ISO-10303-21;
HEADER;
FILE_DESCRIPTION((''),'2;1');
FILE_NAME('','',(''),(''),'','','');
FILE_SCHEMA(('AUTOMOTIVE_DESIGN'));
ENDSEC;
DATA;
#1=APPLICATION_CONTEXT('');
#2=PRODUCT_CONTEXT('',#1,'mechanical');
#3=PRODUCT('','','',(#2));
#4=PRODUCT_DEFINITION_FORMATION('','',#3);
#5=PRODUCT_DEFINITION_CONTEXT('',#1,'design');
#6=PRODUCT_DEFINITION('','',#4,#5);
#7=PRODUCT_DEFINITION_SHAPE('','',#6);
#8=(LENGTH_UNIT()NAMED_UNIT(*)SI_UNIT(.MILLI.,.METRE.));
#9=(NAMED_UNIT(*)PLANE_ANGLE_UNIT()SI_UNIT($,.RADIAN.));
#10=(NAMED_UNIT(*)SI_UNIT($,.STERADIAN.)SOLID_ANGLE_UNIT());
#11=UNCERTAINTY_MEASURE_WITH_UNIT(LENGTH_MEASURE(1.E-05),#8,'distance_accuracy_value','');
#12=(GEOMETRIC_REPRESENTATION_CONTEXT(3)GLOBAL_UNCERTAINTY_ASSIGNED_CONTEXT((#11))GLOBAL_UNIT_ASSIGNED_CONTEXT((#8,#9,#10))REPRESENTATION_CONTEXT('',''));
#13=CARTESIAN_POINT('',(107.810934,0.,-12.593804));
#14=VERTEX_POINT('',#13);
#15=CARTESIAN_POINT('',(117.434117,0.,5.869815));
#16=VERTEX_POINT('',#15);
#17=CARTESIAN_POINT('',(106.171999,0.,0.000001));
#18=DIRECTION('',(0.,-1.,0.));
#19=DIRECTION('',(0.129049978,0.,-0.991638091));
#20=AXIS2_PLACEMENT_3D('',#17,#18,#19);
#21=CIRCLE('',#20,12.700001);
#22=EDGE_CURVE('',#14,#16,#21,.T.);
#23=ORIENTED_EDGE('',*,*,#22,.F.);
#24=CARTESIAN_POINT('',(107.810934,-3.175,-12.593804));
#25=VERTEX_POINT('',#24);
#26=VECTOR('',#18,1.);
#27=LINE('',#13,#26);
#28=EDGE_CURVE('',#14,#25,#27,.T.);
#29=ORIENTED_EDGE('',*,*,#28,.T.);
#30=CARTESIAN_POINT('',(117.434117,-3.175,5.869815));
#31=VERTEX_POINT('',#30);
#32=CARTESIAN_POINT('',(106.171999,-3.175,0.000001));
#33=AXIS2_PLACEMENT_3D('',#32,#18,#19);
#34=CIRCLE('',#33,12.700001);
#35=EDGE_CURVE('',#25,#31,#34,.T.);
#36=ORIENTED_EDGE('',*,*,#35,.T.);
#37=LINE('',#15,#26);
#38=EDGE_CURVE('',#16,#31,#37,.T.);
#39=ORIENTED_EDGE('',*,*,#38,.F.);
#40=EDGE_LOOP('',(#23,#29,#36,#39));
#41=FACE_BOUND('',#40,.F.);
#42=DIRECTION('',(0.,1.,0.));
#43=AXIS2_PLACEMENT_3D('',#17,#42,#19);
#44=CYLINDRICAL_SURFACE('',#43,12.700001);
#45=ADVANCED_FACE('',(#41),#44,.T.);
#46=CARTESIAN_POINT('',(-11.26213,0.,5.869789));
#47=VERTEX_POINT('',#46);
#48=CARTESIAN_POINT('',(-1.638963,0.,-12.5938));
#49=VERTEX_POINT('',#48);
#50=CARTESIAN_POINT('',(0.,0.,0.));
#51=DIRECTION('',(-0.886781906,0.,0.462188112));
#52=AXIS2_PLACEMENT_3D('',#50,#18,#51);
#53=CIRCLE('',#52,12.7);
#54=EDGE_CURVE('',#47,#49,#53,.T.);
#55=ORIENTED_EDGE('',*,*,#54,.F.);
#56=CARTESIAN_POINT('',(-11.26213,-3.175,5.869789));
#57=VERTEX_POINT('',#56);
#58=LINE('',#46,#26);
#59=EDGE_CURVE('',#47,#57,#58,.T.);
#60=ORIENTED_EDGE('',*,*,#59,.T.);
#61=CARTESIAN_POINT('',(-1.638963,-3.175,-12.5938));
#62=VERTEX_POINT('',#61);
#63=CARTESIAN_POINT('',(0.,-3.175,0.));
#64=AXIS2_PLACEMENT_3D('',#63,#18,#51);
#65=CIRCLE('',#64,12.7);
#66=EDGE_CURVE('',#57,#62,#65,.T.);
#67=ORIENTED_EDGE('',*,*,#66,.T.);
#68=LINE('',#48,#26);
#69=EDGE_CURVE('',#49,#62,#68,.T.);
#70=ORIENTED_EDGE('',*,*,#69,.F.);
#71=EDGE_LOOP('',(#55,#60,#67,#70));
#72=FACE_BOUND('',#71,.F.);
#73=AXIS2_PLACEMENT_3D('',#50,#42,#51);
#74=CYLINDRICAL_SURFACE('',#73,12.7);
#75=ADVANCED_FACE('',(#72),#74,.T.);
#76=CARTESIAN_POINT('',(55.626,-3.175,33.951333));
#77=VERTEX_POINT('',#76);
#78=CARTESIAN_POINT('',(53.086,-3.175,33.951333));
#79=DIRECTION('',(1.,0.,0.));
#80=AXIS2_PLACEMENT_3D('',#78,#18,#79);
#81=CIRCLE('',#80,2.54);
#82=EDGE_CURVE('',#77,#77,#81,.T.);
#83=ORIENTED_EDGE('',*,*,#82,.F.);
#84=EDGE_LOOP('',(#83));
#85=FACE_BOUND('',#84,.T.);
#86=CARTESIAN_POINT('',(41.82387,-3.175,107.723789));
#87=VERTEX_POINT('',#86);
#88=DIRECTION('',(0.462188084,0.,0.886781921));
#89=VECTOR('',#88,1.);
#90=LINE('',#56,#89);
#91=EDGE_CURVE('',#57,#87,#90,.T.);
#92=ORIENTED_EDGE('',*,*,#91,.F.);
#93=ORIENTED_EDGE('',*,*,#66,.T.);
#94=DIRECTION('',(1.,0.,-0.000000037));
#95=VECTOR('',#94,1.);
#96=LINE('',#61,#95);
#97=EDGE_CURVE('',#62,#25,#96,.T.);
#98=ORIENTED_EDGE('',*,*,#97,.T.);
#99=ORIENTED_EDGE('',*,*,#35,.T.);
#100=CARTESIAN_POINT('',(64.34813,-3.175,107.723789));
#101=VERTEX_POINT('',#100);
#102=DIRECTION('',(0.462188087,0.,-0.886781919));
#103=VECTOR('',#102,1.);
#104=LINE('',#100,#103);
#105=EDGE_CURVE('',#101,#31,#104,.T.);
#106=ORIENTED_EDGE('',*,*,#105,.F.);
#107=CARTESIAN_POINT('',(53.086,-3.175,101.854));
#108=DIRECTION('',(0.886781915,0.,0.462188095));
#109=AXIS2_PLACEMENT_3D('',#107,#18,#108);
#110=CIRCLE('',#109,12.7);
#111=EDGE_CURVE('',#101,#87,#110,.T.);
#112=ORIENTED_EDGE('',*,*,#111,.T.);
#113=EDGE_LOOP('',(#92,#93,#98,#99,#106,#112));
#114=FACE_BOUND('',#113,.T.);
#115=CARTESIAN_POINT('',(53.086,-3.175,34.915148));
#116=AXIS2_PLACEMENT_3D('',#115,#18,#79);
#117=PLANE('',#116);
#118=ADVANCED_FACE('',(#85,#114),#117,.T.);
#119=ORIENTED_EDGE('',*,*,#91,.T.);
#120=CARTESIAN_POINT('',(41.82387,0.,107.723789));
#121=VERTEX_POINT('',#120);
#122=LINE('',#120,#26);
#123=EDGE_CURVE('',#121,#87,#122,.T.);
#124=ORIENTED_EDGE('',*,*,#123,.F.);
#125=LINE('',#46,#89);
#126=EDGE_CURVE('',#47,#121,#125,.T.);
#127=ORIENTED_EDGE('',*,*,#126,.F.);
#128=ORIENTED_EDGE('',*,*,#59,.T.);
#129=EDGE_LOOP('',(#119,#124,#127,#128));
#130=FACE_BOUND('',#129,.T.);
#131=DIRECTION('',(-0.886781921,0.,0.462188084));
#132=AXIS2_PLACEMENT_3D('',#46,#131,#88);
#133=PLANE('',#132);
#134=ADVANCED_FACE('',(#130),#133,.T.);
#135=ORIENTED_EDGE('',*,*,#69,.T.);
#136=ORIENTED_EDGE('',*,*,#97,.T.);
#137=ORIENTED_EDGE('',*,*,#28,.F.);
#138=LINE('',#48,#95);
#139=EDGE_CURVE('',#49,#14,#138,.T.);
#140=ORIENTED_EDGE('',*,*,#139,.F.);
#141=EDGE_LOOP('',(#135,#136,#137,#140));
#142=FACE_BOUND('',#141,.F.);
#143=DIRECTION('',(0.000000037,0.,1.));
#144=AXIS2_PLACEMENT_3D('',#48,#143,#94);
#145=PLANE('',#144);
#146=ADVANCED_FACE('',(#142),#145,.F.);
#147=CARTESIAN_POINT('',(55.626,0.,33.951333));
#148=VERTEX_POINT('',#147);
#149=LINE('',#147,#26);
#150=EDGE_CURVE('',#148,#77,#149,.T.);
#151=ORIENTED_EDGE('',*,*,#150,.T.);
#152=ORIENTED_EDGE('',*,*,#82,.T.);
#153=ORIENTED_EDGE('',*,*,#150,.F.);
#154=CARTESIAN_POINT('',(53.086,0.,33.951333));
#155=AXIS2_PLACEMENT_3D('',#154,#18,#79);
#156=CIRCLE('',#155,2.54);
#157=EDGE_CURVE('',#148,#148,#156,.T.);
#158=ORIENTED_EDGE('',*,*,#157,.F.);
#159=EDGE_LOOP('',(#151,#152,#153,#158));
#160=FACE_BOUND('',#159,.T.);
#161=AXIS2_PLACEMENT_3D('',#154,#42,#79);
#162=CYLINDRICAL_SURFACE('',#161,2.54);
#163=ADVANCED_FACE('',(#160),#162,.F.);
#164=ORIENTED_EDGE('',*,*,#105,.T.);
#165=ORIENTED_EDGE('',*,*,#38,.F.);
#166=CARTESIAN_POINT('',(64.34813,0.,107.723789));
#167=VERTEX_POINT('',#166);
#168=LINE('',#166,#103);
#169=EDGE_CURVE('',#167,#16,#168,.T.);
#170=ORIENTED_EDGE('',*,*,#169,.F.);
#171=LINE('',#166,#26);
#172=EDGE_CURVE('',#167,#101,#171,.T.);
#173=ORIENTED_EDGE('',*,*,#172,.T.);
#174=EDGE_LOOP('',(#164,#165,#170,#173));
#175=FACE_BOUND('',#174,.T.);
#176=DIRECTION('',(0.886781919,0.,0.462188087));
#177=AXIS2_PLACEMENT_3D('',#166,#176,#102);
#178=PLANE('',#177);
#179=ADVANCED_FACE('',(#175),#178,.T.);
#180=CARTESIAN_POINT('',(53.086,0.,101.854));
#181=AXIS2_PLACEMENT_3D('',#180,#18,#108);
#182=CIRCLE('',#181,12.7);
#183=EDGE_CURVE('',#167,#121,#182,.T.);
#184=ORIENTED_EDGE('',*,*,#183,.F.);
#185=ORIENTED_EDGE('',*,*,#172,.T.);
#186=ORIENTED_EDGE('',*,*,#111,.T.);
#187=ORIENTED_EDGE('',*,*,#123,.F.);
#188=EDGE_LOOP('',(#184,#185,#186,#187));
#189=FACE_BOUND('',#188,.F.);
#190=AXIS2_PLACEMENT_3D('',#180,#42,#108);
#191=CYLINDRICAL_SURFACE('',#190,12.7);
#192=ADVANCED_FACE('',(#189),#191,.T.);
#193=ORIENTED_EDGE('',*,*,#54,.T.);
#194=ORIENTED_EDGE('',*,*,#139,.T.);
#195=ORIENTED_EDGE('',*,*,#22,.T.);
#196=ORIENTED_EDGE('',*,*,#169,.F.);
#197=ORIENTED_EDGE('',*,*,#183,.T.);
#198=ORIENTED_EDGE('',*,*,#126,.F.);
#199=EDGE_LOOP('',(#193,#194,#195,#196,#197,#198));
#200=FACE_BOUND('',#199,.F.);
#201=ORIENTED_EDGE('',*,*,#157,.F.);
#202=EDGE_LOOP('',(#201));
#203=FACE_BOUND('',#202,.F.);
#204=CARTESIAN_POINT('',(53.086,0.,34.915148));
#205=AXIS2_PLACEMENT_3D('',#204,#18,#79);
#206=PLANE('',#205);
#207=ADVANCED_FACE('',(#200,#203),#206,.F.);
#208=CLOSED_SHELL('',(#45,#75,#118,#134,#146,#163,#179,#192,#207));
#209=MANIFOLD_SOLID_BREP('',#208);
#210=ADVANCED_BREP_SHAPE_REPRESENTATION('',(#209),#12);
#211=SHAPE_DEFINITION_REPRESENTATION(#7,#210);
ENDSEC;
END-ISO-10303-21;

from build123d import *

# Parameters (mm, degrees)
SKETCH_R      = 2.54
EXTRUDE_DEPTH = 3.175


with BuildPart() as part:
    # Sketch → Extrude (new body)
    with BuildSketch(Plane.XZ):
        with BuildLine():
            ThreePointArc((107.810934, -12.593804), (117.43413, -5.869789), (117.434117, 5.869815))
            Line((64.34813, 107.723789), (117.434117, 5.869815))
            ThreePointArc((64.34813, 107.723789), (53.086, 114.554), (41.82387, 107.723789))
            Line((-11.26213, 5.869789), (41.82387, 107.723789))
            ThreePointArc((-11.26213, 5.869789), (-11.26213, -5.869789), (-1.638963, -12.5938))
            Line((-1.638963, -12.5938), (107.810934, -12.593804))
        make_face()
        with Locations((53.086, 33.951333)):
            Circle(SKETCH_R, mode=Mode.SUBTRACT)
    extrude(amount=EXTRUDE_DEPTH)


solid = part.part
